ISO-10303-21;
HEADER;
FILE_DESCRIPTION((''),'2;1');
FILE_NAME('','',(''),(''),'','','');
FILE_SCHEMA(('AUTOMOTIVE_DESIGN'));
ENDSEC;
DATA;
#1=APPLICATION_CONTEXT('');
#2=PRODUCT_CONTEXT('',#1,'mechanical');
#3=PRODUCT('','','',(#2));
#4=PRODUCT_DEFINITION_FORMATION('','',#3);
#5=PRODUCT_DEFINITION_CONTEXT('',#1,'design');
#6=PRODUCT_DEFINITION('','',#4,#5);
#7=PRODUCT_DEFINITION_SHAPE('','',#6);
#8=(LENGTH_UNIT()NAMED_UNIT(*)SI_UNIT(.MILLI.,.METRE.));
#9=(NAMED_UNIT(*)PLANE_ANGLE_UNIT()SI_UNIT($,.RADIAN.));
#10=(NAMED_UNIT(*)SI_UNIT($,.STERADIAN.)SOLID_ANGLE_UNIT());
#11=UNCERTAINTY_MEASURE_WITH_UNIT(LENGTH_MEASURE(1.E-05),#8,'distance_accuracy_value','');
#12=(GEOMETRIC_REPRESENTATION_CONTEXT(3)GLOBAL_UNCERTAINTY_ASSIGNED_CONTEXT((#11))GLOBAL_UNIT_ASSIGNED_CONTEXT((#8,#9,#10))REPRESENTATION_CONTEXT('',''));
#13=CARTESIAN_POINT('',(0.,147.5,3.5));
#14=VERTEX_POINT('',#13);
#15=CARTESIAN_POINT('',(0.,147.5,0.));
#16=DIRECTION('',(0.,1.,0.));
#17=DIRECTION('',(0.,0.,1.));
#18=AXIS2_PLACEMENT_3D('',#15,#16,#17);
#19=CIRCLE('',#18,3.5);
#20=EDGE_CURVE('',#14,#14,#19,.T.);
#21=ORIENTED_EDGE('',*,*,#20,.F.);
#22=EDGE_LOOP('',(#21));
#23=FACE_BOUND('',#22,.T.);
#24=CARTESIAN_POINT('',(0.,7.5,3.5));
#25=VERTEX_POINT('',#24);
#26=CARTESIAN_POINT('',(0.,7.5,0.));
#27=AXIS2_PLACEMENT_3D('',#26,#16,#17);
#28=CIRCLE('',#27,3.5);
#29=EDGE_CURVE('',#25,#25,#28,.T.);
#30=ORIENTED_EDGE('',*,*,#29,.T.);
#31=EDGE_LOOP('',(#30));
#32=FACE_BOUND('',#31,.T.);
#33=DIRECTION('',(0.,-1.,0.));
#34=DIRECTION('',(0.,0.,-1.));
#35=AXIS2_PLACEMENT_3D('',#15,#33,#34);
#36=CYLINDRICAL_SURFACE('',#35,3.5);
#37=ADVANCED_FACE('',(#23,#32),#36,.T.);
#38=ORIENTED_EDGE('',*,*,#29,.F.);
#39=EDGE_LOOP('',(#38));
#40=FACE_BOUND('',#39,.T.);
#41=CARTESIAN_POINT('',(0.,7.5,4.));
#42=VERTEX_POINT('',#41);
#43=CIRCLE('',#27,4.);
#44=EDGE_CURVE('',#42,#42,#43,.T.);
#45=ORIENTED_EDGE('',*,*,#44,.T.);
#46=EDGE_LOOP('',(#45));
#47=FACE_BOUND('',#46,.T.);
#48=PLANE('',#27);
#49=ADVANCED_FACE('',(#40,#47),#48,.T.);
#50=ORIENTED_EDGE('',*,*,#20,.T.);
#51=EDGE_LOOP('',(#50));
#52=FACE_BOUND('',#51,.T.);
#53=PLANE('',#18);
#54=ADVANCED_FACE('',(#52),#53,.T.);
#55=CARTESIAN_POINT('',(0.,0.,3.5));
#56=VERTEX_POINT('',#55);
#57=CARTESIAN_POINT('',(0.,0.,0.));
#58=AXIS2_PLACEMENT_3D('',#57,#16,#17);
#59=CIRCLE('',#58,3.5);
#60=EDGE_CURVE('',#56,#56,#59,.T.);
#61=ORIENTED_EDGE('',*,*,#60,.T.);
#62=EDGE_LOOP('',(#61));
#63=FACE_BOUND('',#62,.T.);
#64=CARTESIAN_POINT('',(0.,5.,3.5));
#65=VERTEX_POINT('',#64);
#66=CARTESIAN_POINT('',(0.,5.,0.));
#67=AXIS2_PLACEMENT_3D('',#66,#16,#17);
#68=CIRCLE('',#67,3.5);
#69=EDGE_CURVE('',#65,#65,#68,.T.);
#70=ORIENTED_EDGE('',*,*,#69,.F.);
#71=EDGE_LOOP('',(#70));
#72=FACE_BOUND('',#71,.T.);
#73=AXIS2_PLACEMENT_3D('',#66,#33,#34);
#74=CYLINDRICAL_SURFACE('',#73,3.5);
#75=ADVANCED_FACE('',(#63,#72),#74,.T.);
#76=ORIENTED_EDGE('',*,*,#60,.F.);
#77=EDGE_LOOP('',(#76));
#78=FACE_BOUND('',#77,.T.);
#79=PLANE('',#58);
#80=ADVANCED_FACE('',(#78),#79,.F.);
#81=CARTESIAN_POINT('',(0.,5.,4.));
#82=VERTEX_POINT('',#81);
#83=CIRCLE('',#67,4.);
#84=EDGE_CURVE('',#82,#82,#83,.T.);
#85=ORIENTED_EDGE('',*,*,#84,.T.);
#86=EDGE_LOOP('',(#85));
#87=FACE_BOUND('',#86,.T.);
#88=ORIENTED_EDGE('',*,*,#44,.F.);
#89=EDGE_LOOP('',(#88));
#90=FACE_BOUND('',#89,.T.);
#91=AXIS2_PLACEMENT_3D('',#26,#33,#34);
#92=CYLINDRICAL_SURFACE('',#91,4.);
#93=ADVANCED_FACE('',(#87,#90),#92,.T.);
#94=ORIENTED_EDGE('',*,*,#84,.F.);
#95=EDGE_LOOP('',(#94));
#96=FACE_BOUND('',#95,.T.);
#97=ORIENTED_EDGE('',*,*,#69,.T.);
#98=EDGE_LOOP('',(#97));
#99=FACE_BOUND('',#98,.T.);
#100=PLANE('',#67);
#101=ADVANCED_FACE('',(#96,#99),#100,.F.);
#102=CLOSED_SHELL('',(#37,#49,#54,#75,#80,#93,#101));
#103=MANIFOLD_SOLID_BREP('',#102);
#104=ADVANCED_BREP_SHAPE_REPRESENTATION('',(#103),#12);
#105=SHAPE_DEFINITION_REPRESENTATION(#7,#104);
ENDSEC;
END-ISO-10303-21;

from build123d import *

# Parameters (mm, degrees)
SKETCH1_R           = 3.5
BOSS_EXTRUDE1_DEPTH = 5
SKETCH2_R           = 4
BOSS_EXTRUDE2_DEPTH = 2.5
SKETCH3_R           = 3.5
BOSS_EXTRUDE3_DEPTH = 140


with BuildPart() as part:
    # Sketch1 → Boss-Extrude1 (new body)
    with BuildSketch(Plane(origin=(0, 0, 0), x_dir=(1, 0, 0), z_dir=(0, 1, 0))):
        with Locations(Location((0, 0, 0), (0, 0, 270))):  # turned: the seam where the file's is
            Circle(SKETCH1_R)
    extrude(amount=BOSS_EXTRUDE1_DEPTH)

    # Sketch2 → Boss-Extrude2 (add)
    with BuildSketch(Plane(origin=(0, 5, 0), x_dir=(1, 0, 0), z_dir=(0, 1, 0))):
        with Locations(Location((0, 0, 0), (0, 0, 270))):  # turned: the seam where the file's is
            Circle(SKETCH2_R)
    extrude(amount=BOSS_EXTRUDE2_DEPTH)

    # Sketch3 → Boss-Extrude3 (add)
    with BuildSketch(Plane(origin=(0, 7.5, 0), x_dir=(1, 0, 0), z_dir=(0, 1, 0))):
        with Locations(Location((0, 0, 0), (0, 0, 270))):  # turned: the seam where the file's is
            Circle(SKETCH3_R)
    extrude(amount=BOSS_EXTRUDE3_DEPTH)


solid = part.part
